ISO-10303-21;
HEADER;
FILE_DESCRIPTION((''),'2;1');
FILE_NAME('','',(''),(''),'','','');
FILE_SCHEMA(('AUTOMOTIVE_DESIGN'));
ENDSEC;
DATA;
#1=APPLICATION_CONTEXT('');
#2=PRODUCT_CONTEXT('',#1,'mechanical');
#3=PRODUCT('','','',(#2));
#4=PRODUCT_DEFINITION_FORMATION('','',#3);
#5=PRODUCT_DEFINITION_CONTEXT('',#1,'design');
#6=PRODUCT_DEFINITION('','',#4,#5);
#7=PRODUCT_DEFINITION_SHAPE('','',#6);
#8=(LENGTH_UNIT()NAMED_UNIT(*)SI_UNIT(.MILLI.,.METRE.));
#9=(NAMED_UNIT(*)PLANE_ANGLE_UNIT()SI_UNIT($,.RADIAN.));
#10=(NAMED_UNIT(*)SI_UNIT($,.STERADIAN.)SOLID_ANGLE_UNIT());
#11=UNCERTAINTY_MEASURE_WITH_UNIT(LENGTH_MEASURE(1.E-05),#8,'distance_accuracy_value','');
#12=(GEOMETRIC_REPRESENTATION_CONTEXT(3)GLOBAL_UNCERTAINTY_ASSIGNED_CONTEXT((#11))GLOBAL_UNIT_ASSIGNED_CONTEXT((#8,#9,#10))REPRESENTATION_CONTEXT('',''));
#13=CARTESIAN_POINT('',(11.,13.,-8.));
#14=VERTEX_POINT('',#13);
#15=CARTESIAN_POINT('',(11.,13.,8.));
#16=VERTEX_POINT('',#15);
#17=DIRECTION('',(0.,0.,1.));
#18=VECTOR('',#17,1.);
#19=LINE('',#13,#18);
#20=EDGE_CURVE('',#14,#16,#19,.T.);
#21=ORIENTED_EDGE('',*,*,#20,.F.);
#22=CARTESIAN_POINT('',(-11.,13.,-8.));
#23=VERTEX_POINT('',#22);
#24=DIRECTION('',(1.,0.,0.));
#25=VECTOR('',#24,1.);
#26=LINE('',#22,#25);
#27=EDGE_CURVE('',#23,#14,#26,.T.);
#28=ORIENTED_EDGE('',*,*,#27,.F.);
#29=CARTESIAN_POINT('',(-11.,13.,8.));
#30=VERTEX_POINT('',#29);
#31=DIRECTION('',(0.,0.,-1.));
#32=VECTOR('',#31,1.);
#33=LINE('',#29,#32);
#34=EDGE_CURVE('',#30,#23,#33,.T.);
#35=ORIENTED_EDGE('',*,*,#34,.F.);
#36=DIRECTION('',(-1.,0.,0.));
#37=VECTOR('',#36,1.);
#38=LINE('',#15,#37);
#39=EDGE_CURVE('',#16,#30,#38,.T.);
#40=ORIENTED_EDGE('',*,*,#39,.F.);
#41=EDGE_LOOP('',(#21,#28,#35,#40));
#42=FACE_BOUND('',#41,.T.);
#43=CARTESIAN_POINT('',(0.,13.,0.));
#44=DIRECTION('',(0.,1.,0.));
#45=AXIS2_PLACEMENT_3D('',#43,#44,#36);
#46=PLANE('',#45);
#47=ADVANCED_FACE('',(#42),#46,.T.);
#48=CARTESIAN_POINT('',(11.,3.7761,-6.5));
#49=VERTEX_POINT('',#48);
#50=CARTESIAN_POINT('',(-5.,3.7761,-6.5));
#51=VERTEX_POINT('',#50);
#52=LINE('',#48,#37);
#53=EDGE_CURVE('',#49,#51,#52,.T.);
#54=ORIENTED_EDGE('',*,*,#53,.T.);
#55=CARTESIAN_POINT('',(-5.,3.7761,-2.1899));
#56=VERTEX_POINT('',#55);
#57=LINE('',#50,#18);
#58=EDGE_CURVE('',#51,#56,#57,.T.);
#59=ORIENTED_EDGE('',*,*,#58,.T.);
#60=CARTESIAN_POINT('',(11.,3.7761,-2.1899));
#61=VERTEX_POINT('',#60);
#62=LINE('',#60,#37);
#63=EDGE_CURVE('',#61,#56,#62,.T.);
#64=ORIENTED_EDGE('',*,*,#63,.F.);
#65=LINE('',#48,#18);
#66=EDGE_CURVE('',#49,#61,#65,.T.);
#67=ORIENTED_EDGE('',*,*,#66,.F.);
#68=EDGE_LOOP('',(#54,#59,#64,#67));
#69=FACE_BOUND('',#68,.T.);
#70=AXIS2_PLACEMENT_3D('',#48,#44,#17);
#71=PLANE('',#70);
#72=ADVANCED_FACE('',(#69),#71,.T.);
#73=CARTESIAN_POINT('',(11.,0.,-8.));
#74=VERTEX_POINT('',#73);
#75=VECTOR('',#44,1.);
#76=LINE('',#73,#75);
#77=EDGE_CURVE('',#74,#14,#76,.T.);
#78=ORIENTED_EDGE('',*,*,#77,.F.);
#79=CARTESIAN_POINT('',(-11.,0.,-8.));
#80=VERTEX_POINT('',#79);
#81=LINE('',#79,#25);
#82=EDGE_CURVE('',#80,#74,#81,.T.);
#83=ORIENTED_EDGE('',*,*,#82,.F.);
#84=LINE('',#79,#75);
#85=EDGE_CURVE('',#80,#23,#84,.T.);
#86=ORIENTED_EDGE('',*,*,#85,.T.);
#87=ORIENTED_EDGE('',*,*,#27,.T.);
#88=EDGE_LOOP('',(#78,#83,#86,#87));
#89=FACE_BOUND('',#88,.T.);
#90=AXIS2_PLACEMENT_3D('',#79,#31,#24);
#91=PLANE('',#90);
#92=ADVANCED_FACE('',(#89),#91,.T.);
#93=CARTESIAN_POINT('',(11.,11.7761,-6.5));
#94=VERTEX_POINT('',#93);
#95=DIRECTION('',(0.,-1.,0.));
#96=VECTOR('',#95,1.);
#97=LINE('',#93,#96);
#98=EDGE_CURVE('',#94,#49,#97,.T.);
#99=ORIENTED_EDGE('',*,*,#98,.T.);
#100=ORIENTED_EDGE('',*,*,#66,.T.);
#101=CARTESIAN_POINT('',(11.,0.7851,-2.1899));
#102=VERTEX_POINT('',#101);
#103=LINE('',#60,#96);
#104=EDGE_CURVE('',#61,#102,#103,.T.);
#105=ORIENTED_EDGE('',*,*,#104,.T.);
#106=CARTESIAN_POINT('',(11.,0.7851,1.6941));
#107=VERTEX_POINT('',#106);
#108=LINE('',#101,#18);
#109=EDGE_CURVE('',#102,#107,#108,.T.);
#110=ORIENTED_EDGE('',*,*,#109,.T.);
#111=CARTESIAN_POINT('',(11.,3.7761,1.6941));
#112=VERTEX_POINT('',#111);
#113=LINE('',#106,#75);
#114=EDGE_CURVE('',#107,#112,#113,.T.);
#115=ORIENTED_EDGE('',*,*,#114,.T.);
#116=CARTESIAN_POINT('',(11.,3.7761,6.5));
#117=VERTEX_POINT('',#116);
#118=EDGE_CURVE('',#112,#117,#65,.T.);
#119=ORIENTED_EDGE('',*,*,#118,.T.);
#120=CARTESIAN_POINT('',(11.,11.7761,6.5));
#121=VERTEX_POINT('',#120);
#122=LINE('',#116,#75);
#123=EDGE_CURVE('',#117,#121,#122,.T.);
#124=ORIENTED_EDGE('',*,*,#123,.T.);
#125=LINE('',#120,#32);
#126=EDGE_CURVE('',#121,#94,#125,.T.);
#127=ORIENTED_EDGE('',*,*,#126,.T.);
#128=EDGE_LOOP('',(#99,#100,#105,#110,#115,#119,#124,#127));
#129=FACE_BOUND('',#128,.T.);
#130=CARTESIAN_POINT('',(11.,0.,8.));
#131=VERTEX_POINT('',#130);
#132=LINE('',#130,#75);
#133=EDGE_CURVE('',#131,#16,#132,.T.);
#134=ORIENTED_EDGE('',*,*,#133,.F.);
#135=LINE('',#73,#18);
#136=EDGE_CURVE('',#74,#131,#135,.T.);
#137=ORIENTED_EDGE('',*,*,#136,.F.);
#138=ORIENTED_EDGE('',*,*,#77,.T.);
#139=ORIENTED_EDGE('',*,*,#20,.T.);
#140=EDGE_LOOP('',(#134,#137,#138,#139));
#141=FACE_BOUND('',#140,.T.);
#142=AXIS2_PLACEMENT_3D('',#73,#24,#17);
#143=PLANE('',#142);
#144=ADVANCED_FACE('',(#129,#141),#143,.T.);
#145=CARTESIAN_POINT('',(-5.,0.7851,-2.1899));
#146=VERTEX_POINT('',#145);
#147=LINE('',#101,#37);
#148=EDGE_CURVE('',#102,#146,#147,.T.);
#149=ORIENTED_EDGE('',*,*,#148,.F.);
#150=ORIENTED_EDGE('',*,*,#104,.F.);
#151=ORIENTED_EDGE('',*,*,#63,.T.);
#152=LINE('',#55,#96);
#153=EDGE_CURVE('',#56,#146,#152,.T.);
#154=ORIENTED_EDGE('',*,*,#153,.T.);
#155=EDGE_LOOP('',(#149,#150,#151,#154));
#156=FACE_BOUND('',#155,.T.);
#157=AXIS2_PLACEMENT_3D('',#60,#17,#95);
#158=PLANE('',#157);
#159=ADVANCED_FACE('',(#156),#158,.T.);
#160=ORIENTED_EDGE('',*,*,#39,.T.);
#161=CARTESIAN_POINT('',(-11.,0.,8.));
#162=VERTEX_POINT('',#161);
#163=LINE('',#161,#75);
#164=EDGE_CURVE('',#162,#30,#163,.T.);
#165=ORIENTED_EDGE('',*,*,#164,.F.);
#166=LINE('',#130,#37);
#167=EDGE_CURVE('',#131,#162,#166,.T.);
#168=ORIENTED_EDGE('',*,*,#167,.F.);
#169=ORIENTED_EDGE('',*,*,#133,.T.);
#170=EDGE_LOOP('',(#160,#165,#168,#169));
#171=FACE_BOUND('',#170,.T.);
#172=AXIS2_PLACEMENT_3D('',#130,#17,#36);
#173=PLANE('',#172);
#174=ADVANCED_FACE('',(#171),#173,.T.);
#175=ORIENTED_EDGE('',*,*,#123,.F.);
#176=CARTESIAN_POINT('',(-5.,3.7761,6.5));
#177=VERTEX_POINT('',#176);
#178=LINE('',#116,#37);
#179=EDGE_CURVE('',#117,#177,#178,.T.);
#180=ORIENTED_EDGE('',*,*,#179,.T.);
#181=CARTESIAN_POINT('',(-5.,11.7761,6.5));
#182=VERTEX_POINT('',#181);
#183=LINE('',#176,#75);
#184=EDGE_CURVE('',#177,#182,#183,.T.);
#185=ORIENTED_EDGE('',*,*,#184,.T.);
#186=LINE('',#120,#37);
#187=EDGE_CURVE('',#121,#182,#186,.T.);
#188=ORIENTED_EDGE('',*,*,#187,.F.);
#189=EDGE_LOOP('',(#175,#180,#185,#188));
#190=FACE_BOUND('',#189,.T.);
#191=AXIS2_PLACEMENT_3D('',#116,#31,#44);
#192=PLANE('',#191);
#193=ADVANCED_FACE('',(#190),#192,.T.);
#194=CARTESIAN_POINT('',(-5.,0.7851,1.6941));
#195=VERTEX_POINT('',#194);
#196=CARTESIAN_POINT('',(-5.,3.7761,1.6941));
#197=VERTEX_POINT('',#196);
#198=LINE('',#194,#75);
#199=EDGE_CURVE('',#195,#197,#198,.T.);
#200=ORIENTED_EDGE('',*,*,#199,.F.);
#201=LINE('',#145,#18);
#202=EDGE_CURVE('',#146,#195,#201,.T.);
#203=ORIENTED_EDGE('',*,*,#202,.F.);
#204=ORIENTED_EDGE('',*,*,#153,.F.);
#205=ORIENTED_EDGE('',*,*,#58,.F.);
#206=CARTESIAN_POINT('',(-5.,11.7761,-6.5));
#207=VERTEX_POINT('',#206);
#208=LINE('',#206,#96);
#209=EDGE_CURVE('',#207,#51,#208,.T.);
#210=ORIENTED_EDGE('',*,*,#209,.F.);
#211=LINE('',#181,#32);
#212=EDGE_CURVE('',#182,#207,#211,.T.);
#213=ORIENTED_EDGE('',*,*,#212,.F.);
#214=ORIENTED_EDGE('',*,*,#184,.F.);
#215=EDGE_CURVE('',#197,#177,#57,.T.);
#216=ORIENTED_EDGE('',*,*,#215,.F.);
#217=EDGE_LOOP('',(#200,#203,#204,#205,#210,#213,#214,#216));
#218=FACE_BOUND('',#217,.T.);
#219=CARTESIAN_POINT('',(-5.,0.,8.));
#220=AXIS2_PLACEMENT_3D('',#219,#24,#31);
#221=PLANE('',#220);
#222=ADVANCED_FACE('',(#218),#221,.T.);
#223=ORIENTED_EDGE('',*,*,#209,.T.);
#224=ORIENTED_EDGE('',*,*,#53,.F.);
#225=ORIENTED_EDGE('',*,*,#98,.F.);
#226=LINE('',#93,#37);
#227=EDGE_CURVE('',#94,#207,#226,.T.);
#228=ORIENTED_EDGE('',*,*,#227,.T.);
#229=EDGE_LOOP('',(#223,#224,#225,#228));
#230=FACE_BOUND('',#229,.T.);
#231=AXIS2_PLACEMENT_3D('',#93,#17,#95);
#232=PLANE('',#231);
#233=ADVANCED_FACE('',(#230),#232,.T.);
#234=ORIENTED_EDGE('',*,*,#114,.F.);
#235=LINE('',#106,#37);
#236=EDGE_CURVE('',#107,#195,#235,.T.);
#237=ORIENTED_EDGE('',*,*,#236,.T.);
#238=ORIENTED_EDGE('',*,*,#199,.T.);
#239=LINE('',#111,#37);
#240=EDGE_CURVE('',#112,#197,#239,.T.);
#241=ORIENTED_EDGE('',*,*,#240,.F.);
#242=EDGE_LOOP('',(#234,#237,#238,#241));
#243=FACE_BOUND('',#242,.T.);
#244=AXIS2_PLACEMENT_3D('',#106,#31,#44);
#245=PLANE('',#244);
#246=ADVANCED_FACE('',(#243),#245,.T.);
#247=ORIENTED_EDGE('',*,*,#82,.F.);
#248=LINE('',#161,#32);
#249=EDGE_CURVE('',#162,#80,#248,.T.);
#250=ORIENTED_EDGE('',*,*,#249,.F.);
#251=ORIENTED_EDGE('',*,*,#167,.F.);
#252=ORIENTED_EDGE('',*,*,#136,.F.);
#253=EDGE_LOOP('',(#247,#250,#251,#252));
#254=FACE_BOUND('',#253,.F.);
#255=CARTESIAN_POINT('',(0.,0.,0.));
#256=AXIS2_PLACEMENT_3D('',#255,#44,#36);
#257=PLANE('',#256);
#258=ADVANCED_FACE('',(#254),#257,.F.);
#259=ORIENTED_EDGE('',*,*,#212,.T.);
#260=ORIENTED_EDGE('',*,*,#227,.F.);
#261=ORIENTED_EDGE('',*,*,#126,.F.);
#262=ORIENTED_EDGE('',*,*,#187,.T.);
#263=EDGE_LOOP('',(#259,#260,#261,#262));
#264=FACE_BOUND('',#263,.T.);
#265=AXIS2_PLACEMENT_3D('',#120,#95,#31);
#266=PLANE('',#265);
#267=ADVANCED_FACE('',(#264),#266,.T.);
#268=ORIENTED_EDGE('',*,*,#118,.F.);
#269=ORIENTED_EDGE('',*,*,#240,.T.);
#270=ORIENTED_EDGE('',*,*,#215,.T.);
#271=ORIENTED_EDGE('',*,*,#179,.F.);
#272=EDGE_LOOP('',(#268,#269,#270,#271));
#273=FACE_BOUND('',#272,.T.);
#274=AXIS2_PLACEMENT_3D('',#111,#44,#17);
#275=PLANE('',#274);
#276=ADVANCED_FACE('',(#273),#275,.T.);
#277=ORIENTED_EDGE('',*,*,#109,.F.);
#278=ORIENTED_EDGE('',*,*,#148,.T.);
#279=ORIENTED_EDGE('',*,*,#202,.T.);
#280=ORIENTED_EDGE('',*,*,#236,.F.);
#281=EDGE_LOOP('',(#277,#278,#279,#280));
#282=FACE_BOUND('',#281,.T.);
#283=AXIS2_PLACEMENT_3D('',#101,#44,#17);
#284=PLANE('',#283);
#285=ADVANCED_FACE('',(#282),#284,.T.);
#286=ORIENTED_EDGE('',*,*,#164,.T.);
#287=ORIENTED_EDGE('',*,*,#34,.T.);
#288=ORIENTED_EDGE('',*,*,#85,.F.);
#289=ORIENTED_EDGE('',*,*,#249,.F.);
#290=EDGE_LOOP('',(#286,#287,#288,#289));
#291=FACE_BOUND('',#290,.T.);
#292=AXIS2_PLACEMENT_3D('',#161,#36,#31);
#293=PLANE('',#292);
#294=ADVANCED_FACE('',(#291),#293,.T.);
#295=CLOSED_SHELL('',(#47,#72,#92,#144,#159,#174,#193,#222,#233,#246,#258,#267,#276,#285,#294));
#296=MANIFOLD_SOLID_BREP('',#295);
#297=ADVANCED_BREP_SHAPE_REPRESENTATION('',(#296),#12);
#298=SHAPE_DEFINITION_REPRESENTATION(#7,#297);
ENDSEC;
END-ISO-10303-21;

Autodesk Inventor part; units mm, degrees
ref_plane "YZ Plane" through (0, 0, 0) normal (1, 0, 0) x (0, 1, 0)
ref_plane "XZ Plane" through (0, 0, 0) normal (0, 1, 0) x (-1, 0, 0)
ref_plane "XY Plane" through (0, 0, 0) normal (0, 0, 1) x (1, 0, 0)
sketch "Sketch1" plane through (0, 0, 0) normal (0, 1, 0) x (-1, 0, 0)
  line L0 (-11, 8) -> (11, 8)
  line L1 (11, 8) -> (11, -8)
  line L2 (11, -8) -> (-11, -8)
  line L3 (-11, -8) -> (-11, 8)
  line L4 (-11, 8) -> (11, -8) construction
  line L5 (11, 8) -> (-11, -8) construction
  point P0 (0, 0)
  dimension "d0" = 22
  dimension "d1" = 16
extrude "Extrusion1" add sketch "Sketch1" along normal blind 13
sketch "Sketch2" plane through (11, 0, 8) normal (1, 0, 0) x (0, 0, -1)
  line L0 (1.5, 11.7761) -> (14.5, 11.7761)
  line L1 (14.5, 11.7761) -> (14.5, 3.7761)
  line L2 (14.5, 3.7761) -> (1.5, 3.7761)
  line L3 (1.5, 3.7761) -> (1.5, 11.7761)
  line L4 (0, 0) -> (0, 13) projected
  line L5 (6.3059, 3.7761) -> (10.1899, 3.7761)
  line L6 (10.1899, 3.7761) -> (10.1899, 0.7851)
  line L7 (10.1899, 0.7851) -> (6.3059, 0.7851)
  line L8 (6.3059, 0.7851) -> (6.3059, 3.7761)
  point P0 (8, 0)
  dimension "d4" = 13
  dimension "d5" = 8
  dimension "d6" = 1.5
extrude "Extrusion2" cut sketch "Sketch2" against normal blind 16
properties part number "netwerk"
